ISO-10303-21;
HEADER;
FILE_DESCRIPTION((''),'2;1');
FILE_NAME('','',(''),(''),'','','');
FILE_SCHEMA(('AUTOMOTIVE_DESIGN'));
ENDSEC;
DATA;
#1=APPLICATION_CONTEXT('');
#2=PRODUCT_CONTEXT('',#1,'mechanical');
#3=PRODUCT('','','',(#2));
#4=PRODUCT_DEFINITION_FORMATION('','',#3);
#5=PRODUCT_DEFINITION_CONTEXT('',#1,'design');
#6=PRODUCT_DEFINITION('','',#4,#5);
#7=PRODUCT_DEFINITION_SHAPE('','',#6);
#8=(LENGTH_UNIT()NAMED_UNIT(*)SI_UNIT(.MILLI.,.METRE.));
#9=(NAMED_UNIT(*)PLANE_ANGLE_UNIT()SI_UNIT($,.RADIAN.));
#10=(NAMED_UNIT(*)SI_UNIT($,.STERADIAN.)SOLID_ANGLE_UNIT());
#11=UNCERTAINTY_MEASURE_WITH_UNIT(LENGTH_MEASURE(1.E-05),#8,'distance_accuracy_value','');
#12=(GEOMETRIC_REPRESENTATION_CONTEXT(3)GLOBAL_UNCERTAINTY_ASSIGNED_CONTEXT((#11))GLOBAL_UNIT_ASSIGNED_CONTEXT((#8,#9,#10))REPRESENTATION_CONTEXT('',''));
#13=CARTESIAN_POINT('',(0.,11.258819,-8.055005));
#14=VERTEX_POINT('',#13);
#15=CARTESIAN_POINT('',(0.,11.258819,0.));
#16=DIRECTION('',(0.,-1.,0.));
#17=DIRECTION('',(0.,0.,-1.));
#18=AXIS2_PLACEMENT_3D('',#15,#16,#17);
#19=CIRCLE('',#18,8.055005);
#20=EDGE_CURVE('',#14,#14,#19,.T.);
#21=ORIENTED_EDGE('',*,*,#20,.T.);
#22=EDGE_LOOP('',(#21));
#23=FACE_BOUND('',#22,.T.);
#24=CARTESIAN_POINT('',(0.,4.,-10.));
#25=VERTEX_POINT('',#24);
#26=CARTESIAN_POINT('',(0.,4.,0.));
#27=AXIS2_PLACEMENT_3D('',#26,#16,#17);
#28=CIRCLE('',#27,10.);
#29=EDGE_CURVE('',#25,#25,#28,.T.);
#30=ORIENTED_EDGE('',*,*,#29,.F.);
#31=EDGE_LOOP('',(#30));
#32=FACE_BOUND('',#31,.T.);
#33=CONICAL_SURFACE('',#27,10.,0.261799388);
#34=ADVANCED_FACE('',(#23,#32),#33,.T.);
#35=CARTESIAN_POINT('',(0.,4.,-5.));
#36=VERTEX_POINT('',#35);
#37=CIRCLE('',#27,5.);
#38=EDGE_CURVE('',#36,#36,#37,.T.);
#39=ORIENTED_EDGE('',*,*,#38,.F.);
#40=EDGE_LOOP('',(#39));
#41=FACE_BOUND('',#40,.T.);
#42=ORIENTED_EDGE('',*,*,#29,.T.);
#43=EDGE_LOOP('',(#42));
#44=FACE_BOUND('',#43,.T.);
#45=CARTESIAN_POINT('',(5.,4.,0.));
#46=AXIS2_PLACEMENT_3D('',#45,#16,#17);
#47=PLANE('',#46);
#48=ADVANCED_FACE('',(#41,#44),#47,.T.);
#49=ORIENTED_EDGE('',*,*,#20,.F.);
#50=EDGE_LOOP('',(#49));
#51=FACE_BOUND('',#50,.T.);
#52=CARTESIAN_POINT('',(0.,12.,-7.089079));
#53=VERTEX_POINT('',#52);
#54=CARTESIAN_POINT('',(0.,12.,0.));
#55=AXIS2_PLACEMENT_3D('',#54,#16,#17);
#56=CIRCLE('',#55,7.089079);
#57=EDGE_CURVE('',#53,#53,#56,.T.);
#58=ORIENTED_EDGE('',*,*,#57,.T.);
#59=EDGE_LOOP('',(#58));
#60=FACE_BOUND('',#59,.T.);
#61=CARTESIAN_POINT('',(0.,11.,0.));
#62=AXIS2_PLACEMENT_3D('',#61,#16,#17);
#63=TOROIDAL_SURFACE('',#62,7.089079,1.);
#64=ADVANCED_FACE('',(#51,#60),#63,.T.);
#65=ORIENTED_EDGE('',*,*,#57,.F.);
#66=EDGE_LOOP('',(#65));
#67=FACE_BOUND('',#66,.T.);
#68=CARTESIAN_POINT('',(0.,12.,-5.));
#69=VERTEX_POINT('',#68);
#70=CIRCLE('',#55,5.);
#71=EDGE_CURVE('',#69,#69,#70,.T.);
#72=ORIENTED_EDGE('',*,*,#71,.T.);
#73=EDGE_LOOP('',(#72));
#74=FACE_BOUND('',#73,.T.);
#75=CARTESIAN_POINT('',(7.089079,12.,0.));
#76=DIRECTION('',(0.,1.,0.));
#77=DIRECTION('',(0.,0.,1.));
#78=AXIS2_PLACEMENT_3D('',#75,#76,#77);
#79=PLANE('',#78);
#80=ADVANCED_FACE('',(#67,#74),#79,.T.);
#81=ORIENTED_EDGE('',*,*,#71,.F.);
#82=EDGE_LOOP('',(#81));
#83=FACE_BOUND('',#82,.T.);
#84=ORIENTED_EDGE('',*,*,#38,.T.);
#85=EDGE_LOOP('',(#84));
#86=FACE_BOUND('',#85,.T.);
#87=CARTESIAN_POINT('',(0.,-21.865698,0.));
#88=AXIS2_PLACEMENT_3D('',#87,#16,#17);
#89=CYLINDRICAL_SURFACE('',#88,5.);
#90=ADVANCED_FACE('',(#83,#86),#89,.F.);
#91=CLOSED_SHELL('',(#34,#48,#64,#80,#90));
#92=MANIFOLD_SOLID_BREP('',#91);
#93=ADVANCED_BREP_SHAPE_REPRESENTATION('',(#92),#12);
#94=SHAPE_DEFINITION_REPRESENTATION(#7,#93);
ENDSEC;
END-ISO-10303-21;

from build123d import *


with BuildPart() as part:
    # Sketch1 → Revolve1 (revolve)
    with BuildSketch(Plane.XY, mode=Mode.PRIVATE) as revolve1_sk:
        with BuildLine():
            Line((5, 4), (10, 4))
            Line((10, 4), (8.055005299, 11.258819045))
            ThreePointArc((8.055005299, 11.258819045), (7.697840902, 11.79335334), (7.089079473, 12))
            Line((7.089079473, 12), (5, 12))
            Line((5, 12), (5, 4))
        make_face()
    revolve(revolve1_sk.sketch.rotate(Axis((0, -21.86569793, 0), (0, 1, 0)), 90), axis=Axis((0, -21.86569793, 0), (0, 1, 0)))


solid = part.part
